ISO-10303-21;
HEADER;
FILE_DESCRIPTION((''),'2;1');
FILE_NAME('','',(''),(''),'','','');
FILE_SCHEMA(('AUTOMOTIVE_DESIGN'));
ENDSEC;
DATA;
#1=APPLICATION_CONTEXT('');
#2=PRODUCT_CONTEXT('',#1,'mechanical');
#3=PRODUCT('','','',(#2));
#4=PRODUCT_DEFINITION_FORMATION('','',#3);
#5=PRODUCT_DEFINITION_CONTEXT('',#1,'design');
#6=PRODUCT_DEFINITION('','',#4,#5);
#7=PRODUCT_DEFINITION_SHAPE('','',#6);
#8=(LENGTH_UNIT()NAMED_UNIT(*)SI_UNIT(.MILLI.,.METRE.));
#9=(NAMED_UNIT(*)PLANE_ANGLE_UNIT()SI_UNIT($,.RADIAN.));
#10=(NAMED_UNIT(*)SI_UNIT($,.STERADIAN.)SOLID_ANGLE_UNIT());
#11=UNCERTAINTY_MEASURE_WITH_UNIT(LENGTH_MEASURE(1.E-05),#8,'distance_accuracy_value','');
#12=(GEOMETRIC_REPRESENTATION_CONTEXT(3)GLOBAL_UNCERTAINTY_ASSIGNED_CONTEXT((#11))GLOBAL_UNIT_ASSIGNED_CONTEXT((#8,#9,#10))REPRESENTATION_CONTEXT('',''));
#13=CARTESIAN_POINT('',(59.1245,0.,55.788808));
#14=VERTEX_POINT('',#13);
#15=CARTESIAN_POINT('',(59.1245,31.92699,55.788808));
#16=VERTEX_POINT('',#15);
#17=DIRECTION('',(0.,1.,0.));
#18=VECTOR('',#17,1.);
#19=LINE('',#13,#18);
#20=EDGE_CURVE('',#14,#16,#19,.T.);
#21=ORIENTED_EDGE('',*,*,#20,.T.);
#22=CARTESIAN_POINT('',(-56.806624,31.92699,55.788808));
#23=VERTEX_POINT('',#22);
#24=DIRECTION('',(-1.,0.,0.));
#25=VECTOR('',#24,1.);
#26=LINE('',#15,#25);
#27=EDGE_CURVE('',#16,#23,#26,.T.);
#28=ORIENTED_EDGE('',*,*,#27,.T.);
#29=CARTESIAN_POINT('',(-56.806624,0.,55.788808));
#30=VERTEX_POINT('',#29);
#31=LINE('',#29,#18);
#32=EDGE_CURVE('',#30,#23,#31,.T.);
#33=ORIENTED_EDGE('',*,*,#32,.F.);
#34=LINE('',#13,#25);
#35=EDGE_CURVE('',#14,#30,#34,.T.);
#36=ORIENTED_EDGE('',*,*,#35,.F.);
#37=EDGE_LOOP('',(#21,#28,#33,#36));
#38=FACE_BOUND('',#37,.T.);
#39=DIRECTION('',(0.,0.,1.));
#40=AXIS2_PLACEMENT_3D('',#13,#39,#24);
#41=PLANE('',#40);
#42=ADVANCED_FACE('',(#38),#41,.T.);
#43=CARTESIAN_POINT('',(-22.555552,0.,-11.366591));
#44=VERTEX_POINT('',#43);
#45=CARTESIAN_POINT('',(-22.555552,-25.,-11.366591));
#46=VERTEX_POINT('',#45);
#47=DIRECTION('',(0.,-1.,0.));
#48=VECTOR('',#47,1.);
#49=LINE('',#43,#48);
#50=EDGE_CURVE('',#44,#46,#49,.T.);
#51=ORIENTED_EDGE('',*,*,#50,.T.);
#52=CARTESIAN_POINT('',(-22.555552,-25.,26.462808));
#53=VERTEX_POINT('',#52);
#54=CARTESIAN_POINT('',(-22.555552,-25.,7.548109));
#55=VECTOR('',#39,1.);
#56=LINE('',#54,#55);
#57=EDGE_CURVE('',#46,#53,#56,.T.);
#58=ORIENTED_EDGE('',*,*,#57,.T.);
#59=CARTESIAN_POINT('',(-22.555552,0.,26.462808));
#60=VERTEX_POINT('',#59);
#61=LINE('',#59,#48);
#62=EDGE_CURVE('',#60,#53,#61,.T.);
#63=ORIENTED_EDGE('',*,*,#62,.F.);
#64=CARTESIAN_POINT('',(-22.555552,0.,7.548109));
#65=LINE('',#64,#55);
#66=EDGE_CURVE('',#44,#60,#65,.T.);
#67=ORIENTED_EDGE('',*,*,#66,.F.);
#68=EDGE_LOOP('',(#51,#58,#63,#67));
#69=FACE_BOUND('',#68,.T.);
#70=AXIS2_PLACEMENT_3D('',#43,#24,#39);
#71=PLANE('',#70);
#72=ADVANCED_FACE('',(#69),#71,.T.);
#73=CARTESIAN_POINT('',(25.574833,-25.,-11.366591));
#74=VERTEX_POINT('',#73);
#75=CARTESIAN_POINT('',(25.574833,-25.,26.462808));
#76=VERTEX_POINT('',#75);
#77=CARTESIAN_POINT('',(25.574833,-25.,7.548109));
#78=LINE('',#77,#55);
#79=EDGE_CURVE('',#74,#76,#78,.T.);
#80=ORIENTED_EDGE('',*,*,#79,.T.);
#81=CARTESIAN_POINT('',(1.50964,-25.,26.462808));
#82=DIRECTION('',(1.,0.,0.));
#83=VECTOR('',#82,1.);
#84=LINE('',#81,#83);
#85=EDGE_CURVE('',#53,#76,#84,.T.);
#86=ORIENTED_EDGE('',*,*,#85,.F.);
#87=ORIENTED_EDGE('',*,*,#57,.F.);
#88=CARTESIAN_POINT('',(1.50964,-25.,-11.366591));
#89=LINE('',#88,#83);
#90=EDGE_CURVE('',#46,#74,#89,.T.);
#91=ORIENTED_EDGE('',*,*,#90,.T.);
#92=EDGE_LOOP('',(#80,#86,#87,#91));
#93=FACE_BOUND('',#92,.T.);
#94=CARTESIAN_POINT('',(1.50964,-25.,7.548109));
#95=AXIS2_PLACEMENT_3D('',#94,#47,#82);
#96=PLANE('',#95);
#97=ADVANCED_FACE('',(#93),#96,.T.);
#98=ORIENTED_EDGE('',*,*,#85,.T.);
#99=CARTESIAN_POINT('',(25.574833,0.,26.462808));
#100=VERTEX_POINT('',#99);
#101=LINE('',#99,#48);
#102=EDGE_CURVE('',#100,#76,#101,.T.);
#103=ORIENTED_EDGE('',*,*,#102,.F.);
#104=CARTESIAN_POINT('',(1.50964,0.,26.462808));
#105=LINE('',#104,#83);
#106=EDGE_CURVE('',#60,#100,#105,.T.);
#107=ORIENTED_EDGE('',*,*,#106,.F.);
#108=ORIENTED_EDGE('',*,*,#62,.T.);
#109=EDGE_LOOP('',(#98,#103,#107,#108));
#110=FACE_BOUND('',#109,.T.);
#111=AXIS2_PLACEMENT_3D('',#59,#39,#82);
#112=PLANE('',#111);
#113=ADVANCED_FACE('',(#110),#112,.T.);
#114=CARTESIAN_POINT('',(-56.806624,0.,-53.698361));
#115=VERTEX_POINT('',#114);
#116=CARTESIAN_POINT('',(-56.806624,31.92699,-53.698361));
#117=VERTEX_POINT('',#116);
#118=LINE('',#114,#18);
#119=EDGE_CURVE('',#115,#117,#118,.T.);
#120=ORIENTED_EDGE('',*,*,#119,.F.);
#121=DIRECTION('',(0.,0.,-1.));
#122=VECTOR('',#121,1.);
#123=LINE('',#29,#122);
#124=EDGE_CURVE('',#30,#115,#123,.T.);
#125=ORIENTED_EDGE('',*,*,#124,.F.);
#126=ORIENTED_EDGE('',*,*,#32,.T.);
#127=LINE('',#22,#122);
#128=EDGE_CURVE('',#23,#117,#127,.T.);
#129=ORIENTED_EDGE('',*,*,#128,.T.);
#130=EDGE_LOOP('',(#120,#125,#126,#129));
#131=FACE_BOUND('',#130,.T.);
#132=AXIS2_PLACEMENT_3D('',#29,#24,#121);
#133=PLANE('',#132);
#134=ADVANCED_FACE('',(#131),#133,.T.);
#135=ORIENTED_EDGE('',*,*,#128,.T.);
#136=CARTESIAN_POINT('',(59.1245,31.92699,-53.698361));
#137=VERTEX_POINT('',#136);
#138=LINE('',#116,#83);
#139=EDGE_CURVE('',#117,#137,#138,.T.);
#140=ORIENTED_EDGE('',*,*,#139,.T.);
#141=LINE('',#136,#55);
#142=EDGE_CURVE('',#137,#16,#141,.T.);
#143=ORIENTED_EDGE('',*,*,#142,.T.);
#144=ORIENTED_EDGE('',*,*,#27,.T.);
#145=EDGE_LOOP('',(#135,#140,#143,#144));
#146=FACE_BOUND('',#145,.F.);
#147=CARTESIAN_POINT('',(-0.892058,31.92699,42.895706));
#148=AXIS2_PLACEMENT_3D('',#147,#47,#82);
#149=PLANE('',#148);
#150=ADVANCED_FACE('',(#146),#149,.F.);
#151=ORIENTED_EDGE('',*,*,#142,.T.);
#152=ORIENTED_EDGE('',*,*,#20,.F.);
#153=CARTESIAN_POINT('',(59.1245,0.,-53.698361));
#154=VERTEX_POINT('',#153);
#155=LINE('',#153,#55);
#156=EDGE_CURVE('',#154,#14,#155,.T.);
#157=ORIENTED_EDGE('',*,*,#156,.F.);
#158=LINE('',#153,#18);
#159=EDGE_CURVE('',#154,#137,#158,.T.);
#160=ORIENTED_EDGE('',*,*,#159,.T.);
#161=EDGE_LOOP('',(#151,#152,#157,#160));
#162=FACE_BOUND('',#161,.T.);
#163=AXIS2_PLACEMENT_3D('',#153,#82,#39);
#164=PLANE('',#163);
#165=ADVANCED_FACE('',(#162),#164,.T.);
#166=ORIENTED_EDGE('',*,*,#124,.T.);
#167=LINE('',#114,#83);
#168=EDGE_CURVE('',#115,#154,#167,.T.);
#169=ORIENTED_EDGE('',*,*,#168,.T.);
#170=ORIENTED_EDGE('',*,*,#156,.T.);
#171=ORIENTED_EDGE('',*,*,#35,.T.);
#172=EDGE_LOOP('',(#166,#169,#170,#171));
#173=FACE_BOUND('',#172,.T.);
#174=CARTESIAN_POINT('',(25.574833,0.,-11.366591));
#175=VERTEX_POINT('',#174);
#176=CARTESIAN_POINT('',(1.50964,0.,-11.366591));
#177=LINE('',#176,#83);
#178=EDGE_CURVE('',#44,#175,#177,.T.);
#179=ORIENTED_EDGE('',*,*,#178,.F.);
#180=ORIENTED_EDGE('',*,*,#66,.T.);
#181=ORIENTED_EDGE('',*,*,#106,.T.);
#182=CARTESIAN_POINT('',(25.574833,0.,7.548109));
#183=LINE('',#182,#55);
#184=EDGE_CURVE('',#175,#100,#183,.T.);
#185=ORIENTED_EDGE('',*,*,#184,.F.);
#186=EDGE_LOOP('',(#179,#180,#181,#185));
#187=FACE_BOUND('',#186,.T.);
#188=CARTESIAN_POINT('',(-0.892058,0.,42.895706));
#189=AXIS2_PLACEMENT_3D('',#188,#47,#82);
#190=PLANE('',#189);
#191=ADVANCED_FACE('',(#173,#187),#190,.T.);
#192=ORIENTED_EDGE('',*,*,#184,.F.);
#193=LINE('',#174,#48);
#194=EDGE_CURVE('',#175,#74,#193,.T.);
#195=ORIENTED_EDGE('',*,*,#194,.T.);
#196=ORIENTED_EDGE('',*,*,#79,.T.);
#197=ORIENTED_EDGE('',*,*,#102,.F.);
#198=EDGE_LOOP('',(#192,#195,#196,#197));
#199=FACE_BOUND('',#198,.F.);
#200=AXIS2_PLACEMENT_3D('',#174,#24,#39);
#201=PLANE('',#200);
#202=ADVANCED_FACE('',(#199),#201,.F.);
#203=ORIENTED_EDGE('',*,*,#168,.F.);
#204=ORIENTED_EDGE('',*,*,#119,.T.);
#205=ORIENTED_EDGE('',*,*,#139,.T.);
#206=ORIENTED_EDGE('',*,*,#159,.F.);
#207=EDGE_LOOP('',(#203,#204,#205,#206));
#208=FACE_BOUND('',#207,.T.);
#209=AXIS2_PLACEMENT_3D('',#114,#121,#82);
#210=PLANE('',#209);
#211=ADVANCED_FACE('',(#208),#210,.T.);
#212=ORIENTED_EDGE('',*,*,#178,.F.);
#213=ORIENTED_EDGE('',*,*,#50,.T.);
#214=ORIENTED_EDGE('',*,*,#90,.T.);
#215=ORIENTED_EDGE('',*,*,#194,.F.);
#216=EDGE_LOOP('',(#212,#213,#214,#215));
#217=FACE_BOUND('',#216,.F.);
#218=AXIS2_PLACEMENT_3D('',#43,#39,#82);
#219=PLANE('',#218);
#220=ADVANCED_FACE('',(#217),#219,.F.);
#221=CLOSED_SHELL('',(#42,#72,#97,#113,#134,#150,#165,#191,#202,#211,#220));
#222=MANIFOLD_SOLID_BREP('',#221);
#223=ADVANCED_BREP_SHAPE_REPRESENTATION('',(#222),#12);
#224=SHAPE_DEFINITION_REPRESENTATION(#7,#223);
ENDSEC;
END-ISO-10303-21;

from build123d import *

# Parameters (mm, degrees)
F0_W     = 28.8429111242
F0_H     = 43.4003770351
F1_DEPTH = 31.9269895554
F2_W     = 48.1303855777
F2_H     = 37.8293991089
F3_DEPTH = 25


with BuildPart() as f1:
    # F0 (on Front) → F1 (new body)
    with BuildSketch(Plane.XZ):
        Polygon((59.1244995594, 55.7888075709), (-56.8066239357, 55.7888075709), (-28.8429111242, 17.2355771065), (0, 17.2355771065), align=None)
        Polygon((-28.8429111242, 17.2355771065), (-56.8066239357, 55.7888075709), (-56.8066239357, -53.69836092), (-28.8429111242, -26.1647999287), align=None)
        Polygon((-28.8429111242, -26.1647999287), (-56.8066239357, -53.69836092), (59.1244995594, -53.69836092), (0, -26.1647999287), align=None)
        Polygon((59.1244995594, -53.69836092), (59.1244995594, 55.7888075709), (0, 17.2355771065), (0, -26.1647999287), align=None)
        with Locations((-14.4214555621, -4.4646114111)):
            Rectangle(F0_W, F0_H)
    extrude(amount=-F1_DEPTH)

    # F2 (on Front) → F3 (join)
    with BuildSketch(Plane.XZ):
        with Locations((1.5096403658, 7.5481086969)):
            Rectangle(F2_W, F2_H)
    extrude(amount=F3_DEPTH)


solid = f1.part
